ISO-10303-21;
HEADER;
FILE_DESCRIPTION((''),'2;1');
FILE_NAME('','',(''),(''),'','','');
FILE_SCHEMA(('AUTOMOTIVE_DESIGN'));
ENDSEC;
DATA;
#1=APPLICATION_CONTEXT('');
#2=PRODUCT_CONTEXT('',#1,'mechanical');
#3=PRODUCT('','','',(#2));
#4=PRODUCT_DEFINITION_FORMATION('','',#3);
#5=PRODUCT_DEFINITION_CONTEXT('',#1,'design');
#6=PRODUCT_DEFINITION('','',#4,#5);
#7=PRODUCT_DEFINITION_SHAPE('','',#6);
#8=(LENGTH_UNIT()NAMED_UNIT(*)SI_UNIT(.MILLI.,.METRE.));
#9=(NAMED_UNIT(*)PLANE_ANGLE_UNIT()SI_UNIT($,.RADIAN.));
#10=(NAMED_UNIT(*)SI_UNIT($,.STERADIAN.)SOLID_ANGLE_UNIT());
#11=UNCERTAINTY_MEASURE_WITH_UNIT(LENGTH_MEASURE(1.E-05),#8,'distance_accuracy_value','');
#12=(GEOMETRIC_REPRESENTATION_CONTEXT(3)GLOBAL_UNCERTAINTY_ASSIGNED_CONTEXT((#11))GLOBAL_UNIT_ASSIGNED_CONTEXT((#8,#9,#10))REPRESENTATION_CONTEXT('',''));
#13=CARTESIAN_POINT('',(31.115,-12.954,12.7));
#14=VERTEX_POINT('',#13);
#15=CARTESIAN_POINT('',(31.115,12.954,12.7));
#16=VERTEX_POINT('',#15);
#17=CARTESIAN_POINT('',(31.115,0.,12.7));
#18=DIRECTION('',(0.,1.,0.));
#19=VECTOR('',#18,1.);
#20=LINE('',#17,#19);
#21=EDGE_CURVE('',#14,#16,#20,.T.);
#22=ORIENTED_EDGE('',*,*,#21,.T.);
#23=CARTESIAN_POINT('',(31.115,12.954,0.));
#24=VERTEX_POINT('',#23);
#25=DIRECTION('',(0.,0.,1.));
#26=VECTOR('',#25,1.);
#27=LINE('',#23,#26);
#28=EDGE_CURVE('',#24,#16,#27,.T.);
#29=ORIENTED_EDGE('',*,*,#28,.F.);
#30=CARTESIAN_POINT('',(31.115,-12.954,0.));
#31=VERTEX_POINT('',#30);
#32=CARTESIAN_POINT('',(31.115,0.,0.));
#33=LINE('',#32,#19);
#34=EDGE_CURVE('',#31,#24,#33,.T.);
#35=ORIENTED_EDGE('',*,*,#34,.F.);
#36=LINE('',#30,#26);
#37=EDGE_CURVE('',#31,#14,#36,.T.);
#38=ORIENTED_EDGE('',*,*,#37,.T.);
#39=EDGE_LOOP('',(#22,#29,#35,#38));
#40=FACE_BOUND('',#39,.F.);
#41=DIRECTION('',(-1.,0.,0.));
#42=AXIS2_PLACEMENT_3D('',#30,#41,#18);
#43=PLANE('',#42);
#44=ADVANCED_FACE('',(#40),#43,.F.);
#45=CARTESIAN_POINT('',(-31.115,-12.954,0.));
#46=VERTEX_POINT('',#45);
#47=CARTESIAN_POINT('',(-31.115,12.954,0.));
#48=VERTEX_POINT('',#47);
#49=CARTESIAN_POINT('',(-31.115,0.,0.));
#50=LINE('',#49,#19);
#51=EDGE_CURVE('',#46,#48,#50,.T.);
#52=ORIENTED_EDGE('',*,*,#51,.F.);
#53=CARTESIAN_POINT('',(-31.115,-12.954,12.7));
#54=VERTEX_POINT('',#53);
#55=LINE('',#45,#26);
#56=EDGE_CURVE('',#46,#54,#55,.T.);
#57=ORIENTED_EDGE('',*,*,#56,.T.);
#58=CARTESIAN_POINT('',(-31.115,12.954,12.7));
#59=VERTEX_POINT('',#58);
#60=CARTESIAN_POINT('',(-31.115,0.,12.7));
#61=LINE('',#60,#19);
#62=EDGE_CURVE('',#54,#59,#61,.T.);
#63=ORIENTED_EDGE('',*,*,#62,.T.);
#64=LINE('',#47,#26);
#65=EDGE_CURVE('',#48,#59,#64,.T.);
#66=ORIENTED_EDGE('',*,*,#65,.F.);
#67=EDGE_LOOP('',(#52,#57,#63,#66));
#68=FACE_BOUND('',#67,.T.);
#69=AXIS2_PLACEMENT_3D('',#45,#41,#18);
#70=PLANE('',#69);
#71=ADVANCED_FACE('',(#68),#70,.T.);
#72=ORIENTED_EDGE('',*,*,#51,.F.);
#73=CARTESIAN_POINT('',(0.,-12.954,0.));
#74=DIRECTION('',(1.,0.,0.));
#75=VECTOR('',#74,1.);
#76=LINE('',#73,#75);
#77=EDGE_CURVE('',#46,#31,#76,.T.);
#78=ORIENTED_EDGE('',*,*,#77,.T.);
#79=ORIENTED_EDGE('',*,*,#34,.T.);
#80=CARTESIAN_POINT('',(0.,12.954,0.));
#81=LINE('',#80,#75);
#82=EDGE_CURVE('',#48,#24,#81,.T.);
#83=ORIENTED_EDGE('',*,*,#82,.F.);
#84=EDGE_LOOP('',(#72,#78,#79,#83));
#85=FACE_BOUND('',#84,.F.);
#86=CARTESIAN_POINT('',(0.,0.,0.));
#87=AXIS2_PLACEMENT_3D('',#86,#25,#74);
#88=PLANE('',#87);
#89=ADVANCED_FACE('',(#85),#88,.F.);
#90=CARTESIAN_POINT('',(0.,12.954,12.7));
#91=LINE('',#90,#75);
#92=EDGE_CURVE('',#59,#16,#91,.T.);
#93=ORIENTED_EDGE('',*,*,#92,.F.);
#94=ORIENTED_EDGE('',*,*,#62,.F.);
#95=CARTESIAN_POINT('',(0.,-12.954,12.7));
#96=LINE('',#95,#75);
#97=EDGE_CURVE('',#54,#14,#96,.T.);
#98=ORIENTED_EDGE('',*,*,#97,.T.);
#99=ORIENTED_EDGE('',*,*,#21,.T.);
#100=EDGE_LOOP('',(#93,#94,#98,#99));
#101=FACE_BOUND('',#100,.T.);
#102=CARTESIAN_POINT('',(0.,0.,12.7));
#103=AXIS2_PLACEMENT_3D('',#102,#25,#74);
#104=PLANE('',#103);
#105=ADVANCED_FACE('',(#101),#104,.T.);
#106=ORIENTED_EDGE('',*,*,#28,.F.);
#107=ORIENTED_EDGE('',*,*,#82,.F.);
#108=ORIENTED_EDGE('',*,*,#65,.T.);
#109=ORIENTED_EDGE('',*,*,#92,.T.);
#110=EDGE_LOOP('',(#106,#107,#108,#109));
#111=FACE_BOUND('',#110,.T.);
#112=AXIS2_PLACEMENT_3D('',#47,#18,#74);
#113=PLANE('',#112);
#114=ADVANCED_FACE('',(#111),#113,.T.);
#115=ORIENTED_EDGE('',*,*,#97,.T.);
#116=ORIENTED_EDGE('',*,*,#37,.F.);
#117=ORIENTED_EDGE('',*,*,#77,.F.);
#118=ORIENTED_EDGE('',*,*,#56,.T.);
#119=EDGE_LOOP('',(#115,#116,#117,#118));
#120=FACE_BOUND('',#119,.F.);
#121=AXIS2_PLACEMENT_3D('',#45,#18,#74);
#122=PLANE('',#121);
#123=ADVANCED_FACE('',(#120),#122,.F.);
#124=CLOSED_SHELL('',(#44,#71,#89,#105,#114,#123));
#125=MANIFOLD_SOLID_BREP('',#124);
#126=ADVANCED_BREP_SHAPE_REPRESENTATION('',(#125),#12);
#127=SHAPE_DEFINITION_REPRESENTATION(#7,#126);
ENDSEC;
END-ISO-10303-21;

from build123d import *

# Parameters (mm, degrees)
SKETCH_W  = 62.23
SKETCH_H  = 25.908
PAD_DEPTH = 12.7


with BuildPart() as part:
    # Sketch → Pad (new body)
    with BuildSketch(Plane.XY):
        Rectangle(SKETCH_W, SKETCH_H)
    extrude(amount=PAD_DEPTH)


solid = part.part
